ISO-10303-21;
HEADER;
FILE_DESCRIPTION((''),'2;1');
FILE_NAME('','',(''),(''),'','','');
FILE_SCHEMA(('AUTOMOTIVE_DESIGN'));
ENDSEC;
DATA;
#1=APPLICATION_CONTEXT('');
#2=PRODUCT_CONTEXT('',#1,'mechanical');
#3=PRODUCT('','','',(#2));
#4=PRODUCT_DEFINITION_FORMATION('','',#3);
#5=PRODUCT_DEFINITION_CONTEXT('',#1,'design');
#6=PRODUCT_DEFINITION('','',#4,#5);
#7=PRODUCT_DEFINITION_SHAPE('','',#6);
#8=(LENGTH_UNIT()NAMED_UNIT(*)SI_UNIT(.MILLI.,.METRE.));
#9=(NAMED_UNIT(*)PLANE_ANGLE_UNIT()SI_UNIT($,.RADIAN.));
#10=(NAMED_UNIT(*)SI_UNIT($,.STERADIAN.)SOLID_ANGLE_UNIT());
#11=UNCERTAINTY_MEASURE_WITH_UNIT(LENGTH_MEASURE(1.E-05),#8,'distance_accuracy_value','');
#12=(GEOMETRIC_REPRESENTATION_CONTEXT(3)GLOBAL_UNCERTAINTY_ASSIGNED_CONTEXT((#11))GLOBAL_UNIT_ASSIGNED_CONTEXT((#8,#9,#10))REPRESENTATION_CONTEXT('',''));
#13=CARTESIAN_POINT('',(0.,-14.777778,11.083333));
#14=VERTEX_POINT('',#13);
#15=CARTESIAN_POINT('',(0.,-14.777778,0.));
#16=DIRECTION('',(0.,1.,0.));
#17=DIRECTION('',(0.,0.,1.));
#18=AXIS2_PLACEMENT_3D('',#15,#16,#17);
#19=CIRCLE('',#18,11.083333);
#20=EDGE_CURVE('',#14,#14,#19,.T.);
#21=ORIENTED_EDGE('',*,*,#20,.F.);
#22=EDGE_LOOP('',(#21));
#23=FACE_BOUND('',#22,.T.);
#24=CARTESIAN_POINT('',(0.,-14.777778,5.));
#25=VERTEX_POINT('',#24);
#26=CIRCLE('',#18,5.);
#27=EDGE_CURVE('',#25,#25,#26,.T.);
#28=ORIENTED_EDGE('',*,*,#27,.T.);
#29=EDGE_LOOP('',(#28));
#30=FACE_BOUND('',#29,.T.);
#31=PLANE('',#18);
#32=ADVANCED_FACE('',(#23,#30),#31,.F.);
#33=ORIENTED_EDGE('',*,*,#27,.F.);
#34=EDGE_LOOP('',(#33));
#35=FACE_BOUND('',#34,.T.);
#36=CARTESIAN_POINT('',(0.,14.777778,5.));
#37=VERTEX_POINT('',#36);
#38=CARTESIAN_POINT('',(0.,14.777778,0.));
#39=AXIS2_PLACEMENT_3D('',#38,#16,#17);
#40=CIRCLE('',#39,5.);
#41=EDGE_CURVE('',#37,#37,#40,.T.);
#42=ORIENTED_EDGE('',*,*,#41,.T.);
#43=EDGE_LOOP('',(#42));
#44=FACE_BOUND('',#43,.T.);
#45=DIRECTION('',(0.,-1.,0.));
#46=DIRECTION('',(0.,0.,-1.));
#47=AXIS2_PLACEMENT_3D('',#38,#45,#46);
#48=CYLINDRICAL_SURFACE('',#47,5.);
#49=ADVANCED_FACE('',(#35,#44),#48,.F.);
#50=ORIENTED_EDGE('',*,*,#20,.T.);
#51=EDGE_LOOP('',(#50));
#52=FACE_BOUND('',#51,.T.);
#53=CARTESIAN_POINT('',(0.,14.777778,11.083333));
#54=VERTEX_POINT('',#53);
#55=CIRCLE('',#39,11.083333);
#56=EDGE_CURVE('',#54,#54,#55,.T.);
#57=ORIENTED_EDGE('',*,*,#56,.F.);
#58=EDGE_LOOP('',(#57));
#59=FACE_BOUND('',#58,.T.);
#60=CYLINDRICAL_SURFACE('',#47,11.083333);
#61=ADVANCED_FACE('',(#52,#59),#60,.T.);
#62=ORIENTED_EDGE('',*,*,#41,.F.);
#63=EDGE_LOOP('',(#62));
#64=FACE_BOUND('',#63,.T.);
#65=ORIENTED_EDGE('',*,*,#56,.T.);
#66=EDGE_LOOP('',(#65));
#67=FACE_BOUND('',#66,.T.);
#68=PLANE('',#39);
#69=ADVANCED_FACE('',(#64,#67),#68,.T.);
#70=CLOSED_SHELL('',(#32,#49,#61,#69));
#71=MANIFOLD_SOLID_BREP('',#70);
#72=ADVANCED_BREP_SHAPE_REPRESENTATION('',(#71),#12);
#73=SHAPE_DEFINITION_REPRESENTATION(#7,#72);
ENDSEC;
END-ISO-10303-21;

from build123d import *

# Parameters (mm, degrees)
SKETCH1_R           = 11.083333333
SKETCH1_R_2         = 5
BOSS_EXTRUDE3_DEPTH = 14.777777778


with BuildPart() as part:
    # Sketch1 → Boss-Extrude3 (new, symmetric)
    with BuildSketch(Plane(origin=(0, 0, 0), x_dir=(1, 0, 0), z_dir=(0, 1, 0))):
        with Locations(Location((0, 0, 0), (0, 0, 270))):
            Circle(SKETCH1_R)
        with Locations(Location((0, 0, 0), (0, 0, 270))):
            Circle(SKETCH1_R_2, mode=Mode.SUBTRACT)
    extrude(amount=BOSS_EXTRUDE3_DEPTH, both=True)


solid = part.part
